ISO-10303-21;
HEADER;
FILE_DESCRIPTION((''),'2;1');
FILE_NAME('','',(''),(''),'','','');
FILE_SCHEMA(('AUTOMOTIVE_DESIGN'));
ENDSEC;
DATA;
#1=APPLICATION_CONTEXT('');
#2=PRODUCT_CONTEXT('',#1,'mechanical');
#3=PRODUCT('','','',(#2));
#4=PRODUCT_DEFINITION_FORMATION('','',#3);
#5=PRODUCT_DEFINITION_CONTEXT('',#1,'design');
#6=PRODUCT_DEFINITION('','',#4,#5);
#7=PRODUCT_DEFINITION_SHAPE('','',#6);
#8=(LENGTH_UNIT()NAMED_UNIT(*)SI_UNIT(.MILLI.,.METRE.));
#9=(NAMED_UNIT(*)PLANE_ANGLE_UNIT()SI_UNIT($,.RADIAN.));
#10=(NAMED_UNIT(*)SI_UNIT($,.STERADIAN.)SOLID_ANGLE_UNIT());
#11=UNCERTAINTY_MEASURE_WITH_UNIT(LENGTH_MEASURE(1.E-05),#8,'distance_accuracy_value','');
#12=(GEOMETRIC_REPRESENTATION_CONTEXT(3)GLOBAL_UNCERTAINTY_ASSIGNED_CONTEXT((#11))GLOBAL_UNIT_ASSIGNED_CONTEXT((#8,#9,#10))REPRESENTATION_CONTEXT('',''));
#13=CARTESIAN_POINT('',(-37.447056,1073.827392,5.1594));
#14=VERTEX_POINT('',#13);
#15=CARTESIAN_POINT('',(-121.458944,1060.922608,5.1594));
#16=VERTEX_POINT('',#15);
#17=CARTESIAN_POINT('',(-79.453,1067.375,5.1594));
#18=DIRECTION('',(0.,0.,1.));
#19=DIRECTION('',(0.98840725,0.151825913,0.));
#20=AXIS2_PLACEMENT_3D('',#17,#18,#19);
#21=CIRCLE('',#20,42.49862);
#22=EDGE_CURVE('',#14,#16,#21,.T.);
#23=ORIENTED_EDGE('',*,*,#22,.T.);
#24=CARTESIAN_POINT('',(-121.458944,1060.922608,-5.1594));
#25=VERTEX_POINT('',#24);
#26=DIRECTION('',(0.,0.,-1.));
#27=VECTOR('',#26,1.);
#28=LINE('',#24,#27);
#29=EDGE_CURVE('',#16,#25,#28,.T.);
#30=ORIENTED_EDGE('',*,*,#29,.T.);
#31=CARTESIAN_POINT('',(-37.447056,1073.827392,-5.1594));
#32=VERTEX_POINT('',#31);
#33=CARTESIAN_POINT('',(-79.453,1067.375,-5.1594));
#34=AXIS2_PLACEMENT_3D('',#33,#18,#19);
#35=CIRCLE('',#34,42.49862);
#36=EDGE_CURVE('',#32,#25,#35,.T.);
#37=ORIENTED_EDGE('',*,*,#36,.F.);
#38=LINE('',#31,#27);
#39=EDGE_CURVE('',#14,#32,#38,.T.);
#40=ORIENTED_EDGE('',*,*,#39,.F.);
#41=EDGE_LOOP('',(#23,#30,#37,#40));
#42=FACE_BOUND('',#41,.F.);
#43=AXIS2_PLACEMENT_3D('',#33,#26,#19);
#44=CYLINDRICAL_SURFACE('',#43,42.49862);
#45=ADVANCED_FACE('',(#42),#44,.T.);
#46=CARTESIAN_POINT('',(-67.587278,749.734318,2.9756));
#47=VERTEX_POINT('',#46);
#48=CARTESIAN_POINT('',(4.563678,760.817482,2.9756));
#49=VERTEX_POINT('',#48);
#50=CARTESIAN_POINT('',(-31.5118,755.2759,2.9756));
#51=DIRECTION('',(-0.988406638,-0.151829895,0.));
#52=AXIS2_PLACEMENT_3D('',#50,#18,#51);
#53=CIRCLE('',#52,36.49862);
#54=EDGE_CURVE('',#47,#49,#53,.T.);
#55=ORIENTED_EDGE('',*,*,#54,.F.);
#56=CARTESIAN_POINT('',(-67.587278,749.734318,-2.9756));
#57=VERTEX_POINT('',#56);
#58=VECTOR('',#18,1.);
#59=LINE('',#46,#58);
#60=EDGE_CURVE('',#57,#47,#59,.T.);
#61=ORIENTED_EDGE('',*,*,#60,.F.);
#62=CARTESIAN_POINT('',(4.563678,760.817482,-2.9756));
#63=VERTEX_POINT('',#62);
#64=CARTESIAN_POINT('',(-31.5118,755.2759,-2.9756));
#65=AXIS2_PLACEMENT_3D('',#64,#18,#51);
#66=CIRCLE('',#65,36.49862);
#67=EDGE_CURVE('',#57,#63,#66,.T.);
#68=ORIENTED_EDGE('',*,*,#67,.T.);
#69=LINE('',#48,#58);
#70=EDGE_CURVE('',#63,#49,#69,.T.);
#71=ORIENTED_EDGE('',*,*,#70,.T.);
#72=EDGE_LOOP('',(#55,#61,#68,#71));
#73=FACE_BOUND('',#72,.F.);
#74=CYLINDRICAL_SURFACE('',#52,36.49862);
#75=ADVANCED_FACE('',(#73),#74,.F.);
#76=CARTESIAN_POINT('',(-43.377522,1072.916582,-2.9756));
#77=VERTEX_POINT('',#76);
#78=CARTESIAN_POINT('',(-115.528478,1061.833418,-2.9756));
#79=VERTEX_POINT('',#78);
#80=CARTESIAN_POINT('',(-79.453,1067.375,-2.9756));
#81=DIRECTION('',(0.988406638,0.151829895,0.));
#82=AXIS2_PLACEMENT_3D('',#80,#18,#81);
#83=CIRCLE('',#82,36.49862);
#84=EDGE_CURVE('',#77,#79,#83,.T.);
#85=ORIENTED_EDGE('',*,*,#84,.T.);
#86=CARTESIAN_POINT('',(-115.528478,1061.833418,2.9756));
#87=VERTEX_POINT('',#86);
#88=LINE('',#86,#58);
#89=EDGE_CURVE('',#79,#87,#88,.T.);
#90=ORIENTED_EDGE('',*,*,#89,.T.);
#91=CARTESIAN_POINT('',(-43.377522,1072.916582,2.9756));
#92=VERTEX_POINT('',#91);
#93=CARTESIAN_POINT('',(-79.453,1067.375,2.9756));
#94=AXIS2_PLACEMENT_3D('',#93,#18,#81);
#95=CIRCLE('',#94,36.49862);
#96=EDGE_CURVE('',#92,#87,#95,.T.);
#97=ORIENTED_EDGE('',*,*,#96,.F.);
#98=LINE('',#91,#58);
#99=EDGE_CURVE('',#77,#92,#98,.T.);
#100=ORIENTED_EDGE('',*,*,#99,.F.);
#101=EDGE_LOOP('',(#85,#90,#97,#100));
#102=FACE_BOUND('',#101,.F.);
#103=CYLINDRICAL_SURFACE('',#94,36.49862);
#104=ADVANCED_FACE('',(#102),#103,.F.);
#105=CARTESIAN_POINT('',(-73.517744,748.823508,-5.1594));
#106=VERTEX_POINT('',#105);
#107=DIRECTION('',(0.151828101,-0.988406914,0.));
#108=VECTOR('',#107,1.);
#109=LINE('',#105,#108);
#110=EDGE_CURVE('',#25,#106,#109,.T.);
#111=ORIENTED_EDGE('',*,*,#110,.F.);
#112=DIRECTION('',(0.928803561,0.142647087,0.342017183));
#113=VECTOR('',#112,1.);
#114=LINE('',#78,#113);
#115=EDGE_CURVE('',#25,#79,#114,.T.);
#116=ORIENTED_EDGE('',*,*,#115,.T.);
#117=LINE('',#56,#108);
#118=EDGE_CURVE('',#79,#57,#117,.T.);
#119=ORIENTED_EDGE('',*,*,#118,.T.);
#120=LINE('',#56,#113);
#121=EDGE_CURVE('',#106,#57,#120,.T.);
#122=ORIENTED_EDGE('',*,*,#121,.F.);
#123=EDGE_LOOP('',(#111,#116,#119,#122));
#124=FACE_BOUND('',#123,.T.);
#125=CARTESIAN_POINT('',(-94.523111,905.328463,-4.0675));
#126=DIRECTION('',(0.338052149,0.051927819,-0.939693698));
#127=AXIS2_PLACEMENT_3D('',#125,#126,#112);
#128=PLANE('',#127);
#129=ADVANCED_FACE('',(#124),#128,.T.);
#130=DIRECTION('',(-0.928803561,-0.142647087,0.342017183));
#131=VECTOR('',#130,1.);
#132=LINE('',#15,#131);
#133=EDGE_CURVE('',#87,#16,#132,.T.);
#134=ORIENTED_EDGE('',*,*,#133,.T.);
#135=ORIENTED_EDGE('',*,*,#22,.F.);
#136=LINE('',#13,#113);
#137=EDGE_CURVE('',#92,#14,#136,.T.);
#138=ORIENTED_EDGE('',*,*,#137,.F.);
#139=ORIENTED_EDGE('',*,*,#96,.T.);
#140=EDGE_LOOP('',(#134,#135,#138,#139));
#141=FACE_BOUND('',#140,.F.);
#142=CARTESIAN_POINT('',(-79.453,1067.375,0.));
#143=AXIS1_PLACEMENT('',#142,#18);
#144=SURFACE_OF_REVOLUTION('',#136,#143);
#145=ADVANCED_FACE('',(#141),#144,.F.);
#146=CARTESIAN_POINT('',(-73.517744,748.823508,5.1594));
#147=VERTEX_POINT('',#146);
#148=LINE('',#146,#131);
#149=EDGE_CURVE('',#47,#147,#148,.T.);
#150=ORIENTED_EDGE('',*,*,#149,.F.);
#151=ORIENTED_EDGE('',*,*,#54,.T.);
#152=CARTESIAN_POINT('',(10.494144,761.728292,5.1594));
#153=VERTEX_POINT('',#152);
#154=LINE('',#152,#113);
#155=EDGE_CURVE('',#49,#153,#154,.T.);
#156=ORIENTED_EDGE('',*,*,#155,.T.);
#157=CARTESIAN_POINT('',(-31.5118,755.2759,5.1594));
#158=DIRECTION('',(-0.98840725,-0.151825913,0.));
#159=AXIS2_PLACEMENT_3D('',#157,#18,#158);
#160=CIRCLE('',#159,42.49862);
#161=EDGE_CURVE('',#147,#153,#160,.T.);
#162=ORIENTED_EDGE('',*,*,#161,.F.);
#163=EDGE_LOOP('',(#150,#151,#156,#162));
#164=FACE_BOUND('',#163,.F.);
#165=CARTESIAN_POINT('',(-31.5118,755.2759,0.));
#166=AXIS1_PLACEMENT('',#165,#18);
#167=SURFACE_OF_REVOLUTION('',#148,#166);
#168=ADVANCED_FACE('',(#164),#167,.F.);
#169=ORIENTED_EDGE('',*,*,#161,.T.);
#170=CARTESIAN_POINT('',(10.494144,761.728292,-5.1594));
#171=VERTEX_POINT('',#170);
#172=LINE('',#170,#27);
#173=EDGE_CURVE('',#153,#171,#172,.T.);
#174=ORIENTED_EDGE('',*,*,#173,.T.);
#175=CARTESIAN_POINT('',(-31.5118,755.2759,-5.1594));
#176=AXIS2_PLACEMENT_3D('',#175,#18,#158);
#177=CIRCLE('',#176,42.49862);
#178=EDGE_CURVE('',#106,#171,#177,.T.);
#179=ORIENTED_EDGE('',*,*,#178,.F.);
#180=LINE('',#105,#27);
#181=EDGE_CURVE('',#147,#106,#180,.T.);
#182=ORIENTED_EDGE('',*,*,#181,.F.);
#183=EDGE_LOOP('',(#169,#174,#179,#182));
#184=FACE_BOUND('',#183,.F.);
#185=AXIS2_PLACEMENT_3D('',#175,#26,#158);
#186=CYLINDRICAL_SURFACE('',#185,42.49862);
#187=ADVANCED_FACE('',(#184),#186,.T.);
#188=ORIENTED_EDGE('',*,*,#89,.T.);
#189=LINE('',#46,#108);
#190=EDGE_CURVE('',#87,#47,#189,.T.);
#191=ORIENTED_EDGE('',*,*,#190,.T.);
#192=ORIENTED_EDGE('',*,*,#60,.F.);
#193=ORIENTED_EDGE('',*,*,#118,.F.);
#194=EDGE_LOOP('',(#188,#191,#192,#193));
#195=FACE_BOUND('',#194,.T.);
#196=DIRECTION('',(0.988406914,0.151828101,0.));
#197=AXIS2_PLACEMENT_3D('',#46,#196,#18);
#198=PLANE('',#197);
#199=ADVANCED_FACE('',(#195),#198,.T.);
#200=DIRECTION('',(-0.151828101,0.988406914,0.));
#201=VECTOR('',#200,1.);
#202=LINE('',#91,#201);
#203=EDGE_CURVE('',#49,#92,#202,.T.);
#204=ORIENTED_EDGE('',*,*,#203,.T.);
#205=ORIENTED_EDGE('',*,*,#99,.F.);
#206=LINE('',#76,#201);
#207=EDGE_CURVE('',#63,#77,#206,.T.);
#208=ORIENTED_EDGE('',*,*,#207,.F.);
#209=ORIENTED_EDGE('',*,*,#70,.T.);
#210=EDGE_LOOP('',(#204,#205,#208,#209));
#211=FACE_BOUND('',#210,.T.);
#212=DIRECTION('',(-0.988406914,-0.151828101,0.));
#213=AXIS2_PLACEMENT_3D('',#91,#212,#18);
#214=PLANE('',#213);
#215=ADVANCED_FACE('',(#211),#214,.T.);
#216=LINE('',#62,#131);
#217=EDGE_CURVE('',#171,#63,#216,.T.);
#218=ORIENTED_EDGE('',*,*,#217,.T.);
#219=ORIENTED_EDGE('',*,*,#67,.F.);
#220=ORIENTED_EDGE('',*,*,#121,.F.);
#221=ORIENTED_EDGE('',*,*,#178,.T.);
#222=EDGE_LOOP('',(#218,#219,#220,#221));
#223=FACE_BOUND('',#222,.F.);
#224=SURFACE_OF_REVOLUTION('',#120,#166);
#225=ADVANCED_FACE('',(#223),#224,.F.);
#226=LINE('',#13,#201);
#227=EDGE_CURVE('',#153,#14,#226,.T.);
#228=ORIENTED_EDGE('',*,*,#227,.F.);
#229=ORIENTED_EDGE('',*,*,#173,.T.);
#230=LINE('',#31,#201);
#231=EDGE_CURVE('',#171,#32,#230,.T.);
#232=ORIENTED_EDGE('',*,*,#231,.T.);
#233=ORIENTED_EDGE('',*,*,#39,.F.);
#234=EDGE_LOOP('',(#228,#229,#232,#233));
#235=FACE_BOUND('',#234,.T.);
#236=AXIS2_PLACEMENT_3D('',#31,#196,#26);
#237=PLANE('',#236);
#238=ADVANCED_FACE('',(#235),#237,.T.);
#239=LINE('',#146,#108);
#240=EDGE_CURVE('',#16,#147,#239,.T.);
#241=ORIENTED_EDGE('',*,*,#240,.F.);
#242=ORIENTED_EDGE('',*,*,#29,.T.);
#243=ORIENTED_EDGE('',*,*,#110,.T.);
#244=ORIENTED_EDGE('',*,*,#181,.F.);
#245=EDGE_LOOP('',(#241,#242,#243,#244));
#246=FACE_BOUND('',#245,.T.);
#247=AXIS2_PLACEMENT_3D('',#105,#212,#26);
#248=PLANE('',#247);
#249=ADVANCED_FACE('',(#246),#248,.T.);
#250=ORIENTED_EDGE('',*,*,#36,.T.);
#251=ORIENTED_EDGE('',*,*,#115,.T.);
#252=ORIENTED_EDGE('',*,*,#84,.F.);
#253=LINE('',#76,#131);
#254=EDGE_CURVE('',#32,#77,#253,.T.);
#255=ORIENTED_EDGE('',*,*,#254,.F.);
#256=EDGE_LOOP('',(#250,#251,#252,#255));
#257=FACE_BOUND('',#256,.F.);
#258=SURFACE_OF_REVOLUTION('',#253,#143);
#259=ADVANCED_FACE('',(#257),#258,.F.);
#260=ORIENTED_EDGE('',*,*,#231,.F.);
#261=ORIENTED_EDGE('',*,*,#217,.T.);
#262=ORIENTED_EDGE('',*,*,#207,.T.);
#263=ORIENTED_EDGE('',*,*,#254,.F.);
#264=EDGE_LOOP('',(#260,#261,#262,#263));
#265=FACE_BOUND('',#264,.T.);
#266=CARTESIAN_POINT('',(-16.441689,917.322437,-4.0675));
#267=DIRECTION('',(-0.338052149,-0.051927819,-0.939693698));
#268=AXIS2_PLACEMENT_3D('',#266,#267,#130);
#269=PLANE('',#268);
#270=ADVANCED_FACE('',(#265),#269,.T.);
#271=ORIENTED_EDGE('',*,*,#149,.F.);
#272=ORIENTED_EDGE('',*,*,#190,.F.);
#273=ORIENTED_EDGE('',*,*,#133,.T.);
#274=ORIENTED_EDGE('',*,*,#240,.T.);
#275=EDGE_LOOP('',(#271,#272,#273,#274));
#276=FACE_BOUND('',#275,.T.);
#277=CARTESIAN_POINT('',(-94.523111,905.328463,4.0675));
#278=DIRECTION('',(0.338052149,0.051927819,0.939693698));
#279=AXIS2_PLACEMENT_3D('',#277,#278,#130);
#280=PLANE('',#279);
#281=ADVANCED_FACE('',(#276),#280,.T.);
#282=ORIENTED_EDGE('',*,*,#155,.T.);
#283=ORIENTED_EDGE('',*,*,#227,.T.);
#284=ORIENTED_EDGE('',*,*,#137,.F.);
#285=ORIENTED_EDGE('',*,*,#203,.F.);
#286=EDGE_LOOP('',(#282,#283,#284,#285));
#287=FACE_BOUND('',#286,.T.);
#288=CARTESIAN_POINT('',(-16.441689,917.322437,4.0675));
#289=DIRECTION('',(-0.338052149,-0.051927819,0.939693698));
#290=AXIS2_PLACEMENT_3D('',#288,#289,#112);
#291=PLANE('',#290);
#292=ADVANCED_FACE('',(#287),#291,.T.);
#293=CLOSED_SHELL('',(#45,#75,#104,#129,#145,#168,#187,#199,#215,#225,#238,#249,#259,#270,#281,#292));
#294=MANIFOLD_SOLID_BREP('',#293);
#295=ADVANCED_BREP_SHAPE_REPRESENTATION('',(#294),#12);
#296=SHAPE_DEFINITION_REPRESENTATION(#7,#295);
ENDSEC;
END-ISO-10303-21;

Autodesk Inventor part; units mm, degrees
ref_plane "YZ Plane" through (0, 0, 0) normal (1, 0, 0) x (0, 1, 0)
ref_plane "XZ Plane" through (0, 0, 0) normal (0, 1, 0) x (-1, 0, 0)
sketch "Sketch Path" plane through (0, 0, 0) normal (0, 0, 1) x (1, 0, 0)
  arc A0 (-71.0481, 749.2028) -> (8.0245, 761.349) centre (-31.5118, 755.2759) ccw
  arc A1 (-39.9167, 1073.4481) -> (-118.9893, 1061.3019) centre (-79.453, 1067.375) ccw
  line L0 (-39.9167, 1073.4481) -> (8.0245, 761.349)
  line L1 (-71.0481, 749.2028) -> (-118.9893, 1061.3019)
ref_plane "Cross Section Plane" through (8.0245, 761.349, 0) normal (-0.1518, 0.9884, 0) x (0, 0, 1)
sketch "Cross Section" plane through (8.0245, 761.349, 0) normal (-0.1518, 0.9884, 0) x (0, 0, 1)
  line L0 (0, 2.4986) -> (0, -3.5014) construction
  line L1 (-4.25, 0) -> (4.25, 0) construction
  line L2 (-5.1594, 2.4986) -> (5.1594, 2.4986)
  line L3 (5.1594, 2.4986) -> (2.9756, -3.5014)
  line L4 (2.9756, -3.5014) -> (-2.9756, -3.5014)
  line L5 (-2.9756, -3.5014) -> (-5.1594, 2.4986)
  point P0 (0, 0)
  point P1 (0, 0)
  point P2 (0, 0)
  dimension "d0" = 8.5
  dimension "d1" = 2.4986
  dimension "d2" = 40
  dimension "d3" = 6
sweep "Belt" add profiles "Cross Section" path "Sketch Path"
equation "\"d0\" = da_Bw"
equation "\"d1\" = da_Hw"
equation "\"d2\" = da_Alfa"
equation "\"d3\" = da_H"
equation "\"da_Alfa\" = 40deg"
equation "\"da_H\" = 6"
equation "\"da_Bw\" = 8.5"
equation "\"da_Hw\" = 2.49859"
properties part number "V-Belt" material "Rubber"
